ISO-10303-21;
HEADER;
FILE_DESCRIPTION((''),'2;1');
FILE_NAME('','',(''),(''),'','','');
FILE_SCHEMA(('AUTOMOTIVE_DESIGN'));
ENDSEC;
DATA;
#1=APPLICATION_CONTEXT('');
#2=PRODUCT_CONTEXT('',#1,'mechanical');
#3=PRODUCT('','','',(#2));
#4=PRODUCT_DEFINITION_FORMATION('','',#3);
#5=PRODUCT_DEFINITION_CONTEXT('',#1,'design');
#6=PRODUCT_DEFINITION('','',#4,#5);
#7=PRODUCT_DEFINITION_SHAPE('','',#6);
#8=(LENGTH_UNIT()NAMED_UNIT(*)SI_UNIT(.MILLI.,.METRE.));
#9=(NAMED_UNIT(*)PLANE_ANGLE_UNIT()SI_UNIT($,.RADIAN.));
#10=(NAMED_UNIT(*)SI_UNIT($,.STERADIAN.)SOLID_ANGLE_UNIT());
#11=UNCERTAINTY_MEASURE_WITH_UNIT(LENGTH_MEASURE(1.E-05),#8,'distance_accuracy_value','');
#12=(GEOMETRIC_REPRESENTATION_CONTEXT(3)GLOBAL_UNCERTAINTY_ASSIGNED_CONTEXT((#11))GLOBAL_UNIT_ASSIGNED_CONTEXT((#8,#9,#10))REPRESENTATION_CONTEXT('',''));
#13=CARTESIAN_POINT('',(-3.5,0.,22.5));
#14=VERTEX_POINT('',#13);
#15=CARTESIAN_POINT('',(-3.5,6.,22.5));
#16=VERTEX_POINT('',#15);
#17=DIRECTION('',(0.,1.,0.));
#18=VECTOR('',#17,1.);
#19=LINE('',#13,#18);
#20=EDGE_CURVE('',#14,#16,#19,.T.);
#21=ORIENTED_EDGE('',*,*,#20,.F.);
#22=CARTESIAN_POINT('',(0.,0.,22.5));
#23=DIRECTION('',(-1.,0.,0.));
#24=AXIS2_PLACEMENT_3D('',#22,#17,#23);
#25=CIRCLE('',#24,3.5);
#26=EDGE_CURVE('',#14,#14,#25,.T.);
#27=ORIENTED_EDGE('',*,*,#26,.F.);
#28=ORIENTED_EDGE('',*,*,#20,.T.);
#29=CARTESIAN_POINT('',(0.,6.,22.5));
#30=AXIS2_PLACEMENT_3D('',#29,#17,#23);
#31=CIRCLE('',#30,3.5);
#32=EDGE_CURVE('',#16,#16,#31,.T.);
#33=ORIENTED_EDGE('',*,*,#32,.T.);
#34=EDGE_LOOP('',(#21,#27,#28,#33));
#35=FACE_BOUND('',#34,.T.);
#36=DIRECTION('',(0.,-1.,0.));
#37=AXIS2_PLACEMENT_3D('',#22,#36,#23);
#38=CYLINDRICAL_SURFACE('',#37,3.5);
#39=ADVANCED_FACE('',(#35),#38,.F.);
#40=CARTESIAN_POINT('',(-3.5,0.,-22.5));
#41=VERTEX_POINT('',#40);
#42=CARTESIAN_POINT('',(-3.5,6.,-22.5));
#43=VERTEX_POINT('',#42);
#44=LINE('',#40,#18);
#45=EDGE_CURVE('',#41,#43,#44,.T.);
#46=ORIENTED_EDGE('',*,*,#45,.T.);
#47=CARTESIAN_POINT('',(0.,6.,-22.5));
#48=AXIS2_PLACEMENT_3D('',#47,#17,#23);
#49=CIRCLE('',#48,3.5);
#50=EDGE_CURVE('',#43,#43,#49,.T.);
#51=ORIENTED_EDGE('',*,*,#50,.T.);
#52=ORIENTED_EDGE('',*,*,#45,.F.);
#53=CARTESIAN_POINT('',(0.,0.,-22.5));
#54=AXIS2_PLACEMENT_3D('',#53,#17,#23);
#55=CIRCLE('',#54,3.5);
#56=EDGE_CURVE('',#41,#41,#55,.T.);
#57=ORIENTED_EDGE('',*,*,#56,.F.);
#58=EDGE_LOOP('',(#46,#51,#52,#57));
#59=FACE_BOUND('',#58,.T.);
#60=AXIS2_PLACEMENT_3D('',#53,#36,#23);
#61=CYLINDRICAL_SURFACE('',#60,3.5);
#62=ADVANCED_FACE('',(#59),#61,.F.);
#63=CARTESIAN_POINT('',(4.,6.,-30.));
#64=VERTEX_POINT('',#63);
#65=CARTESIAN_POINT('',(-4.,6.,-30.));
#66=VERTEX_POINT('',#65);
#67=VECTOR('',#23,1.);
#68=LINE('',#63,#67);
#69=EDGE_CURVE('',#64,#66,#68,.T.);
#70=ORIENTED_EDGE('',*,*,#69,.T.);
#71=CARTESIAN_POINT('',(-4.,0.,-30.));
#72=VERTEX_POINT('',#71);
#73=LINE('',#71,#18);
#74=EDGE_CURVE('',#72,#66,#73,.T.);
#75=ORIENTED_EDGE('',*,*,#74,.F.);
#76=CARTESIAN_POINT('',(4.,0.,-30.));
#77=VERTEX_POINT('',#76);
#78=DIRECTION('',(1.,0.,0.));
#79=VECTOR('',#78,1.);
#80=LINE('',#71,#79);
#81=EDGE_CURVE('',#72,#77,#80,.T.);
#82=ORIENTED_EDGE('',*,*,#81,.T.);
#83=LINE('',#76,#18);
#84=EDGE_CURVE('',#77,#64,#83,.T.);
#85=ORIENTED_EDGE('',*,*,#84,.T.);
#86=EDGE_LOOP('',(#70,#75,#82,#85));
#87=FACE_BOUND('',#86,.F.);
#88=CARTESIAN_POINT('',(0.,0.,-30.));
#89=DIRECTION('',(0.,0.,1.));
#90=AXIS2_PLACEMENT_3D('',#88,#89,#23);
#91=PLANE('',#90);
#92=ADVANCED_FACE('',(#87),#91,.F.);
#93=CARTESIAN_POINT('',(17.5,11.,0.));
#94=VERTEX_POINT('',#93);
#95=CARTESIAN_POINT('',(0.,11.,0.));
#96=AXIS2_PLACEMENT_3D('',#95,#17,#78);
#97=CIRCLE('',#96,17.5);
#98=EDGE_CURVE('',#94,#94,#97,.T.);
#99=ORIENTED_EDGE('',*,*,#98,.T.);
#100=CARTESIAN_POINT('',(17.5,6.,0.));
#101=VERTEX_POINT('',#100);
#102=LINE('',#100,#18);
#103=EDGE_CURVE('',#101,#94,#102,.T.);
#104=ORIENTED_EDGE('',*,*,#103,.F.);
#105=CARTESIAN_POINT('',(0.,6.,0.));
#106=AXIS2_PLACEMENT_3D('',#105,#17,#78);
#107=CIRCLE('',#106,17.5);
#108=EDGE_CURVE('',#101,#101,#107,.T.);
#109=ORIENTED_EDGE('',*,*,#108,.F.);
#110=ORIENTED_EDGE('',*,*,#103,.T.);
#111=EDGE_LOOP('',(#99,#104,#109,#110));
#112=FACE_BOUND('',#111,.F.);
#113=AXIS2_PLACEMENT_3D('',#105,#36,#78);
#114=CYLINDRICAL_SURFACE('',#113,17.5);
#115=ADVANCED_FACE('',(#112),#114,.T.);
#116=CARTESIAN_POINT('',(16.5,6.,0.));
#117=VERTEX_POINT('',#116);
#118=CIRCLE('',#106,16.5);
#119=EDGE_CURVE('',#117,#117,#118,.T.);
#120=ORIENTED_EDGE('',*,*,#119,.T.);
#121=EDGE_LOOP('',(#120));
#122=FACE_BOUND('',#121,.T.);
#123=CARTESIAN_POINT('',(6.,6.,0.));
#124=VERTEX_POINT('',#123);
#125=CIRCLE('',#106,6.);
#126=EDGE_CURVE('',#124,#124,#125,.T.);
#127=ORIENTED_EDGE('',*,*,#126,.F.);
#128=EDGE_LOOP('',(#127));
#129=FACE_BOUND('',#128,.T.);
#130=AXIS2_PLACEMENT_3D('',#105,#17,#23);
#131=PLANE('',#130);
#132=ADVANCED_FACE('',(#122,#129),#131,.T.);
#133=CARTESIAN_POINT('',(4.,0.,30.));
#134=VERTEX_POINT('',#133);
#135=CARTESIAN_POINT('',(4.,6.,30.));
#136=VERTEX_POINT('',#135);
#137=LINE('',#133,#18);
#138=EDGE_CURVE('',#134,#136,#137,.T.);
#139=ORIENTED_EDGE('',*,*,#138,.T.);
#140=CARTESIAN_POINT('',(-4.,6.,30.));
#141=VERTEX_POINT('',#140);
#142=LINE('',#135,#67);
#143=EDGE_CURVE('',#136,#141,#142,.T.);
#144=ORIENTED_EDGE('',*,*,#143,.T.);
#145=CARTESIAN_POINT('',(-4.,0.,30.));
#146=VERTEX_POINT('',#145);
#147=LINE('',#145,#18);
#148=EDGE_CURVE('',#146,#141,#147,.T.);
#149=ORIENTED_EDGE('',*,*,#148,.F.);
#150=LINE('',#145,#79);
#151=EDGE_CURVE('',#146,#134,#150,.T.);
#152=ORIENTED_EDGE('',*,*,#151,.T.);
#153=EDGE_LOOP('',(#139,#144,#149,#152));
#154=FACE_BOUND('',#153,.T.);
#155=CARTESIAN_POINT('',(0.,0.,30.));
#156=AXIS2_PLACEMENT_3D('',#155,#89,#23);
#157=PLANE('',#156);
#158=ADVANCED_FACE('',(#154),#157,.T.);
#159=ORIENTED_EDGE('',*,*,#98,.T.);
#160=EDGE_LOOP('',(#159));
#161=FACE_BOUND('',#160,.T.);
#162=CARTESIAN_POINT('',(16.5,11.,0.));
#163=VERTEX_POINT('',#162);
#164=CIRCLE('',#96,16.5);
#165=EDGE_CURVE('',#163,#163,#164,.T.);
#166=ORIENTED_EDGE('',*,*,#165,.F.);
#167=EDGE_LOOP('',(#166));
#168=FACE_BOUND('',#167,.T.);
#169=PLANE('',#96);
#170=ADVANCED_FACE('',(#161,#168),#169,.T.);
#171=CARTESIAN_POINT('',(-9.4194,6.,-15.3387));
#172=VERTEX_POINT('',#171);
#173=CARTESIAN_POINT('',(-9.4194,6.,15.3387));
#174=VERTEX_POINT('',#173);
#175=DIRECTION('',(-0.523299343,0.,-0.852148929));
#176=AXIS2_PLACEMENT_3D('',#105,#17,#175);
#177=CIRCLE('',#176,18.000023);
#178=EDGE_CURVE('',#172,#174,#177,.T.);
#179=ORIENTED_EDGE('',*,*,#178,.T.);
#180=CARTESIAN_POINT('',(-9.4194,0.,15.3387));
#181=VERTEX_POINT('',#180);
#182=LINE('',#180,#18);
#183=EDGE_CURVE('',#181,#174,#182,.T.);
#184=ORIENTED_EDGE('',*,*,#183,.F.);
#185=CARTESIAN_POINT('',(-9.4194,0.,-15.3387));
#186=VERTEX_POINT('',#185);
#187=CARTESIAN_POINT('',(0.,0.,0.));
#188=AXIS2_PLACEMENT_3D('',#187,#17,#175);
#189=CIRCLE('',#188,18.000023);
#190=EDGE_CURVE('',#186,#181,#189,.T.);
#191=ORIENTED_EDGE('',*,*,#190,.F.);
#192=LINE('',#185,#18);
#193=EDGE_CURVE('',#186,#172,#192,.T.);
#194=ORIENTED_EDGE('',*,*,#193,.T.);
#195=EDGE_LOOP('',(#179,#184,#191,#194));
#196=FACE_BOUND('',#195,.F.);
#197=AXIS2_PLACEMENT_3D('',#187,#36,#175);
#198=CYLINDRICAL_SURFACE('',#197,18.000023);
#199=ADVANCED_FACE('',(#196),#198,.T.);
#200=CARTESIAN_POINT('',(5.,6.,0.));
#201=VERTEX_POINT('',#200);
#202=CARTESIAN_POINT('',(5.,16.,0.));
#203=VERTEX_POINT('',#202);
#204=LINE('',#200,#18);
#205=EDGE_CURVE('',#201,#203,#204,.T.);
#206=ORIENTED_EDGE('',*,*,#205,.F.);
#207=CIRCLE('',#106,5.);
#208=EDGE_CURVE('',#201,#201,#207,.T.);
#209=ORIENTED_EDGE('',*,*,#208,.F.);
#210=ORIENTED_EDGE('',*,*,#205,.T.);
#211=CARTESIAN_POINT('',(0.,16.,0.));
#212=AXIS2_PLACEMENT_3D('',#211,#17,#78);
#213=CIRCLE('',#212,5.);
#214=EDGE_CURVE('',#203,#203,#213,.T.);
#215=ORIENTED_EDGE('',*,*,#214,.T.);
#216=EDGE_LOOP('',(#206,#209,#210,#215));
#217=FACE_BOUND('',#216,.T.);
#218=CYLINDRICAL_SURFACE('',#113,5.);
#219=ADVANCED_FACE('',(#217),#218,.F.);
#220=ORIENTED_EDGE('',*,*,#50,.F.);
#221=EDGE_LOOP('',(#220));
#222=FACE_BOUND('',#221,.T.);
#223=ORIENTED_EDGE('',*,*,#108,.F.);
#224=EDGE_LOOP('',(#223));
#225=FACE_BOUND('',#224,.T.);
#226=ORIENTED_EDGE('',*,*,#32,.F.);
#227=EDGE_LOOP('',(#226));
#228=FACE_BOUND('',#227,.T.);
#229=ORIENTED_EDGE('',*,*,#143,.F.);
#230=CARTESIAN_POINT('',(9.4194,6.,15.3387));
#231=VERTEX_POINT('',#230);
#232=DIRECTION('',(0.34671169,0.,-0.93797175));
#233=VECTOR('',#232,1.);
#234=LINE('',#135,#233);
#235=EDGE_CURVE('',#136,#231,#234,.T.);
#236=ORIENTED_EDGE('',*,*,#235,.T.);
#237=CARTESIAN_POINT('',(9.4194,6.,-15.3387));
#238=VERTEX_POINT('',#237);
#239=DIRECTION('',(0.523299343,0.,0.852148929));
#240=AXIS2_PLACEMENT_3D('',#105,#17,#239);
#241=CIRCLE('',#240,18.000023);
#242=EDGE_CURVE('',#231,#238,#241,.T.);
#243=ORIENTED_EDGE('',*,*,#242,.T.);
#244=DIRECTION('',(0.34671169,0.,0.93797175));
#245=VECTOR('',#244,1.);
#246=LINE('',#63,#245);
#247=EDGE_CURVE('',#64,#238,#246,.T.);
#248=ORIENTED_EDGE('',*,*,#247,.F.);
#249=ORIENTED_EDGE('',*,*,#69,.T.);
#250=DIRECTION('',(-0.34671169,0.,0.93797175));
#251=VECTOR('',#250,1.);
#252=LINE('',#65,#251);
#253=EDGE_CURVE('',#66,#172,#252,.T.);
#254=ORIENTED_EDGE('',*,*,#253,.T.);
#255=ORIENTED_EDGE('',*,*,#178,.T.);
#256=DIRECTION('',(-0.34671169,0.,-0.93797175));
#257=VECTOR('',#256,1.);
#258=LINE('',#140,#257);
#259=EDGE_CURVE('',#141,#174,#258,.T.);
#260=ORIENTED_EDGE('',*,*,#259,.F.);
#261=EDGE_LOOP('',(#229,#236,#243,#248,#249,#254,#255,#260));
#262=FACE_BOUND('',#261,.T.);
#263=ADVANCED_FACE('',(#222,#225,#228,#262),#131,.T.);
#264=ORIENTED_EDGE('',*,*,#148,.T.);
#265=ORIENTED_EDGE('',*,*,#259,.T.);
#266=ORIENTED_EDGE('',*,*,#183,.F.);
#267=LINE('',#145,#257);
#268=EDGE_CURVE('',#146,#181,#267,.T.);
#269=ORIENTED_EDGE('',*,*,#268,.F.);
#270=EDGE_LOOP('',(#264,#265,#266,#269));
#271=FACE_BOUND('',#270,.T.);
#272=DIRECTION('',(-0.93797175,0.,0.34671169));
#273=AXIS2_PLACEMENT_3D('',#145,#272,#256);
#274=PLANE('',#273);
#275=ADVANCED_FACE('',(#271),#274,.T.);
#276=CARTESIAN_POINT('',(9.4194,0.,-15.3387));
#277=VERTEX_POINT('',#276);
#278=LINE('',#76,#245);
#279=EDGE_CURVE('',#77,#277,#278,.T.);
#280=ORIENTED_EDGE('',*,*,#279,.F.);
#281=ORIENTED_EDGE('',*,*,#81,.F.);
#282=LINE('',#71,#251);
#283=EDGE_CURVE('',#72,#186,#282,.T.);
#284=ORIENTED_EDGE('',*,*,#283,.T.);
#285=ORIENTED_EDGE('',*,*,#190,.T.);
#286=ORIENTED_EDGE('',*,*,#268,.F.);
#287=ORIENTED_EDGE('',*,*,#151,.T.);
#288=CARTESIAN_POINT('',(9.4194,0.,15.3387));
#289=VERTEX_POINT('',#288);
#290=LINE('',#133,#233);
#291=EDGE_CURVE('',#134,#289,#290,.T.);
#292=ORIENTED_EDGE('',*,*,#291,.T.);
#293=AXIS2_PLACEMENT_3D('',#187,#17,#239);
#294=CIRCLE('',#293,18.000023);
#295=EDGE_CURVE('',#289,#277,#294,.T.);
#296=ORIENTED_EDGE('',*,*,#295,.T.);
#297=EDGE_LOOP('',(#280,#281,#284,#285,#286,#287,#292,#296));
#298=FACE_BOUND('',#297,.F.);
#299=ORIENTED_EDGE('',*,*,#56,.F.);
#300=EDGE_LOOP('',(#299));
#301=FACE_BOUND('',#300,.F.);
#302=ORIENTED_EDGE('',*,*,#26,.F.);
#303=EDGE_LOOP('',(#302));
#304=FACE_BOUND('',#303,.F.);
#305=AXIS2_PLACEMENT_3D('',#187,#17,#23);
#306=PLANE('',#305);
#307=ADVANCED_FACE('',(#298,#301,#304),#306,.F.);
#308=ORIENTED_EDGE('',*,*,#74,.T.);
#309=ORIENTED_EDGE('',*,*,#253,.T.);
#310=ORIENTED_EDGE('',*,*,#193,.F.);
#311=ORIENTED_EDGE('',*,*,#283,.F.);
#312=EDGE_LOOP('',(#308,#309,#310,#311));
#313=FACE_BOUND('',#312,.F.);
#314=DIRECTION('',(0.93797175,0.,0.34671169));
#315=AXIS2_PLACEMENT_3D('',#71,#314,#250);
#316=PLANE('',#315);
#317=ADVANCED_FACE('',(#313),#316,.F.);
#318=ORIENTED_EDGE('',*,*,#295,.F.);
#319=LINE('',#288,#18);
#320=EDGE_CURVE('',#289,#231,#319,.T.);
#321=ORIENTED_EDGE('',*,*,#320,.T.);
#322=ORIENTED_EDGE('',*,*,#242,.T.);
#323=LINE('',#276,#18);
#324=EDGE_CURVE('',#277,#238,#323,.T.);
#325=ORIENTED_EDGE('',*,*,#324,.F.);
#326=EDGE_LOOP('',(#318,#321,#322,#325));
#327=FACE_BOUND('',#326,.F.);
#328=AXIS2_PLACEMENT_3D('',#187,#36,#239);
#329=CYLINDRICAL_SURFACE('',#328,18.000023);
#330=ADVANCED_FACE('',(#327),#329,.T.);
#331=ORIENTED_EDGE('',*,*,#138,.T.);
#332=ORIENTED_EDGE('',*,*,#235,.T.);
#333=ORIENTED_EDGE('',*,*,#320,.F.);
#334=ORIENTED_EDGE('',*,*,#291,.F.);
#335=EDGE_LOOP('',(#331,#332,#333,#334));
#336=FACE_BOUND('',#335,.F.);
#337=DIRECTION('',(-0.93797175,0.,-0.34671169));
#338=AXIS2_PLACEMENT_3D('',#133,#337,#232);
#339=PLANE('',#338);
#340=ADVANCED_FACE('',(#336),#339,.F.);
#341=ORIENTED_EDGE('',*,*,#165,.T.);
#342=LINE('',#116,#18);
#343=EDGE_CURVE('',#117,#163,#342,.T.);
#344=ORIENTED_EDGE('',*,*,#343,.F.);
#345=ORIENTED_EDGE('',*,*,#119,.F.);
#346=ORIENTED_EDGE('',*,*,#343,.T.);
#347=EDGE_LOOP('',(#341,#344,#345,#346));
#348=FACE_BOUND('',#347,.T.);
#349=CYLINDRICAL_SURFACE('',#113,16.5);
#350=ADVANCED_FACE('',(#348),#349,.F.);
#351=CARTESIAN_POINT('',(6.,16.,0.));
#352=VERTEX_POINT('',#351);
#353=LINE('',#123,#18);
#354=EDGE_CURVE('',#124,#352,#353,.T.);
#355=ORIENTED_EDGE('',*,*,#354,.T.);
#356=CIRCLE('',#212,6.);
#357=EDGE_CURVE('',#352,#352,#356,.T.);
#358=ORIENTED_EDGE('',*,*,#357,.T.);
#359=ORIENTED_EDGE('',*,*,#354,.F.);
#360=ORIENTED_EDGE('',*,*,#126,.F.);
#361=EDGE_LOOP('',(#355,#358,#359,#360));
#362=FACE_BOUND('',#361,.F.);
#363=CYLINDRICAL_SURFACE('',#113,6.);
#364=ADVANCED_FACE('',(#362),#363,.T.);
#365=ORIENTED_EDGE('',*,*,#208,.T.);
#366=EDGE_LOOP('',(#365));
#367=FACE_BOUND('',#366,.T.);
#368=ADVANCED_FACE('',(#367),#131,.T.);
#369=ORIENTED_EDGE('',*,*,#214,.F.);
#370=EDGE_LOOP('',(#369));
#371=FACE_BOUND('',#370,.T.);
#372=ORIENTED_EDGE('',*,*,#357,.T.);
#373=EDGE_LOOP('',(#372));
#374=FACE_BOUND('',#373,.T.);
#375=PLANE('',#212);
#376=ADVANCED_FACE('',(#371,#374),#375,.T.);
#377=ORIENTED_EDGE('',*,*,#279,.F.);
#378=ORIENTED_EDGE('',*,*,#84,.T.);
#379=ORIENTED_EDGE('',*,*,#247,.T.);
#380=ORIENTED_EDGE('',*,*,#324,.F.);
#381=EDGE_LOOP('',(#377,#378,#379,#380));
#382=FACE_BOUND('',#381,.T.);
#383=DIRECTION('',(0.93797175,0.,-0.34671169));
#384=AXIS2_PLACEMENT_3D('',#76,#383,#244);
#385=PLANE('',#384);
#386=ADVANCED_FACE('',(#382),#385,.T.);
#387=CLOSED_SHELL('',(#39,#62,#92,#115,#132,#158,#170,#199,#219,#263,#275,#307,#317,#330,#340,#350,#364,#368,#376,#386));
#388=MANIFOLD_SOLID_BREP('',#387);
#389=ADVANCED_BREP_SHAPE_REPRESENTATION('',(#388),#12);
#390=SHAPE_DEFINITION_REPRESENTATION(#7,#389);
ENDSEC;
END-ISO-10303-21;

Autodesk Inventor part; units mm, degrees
ref_plane "YZ Plane" through (0, 0, 0) normal (1, 0, 0) x (0, 1, 0)
ref_plane "XZ Plane" through (0, 0, 0) normal (0, 1, 0) x (-1, 0, 0)
sketch "Sketch1" plane through (0, 0, 0) normal (0, 1, 0) x (-1, 0, 0)
  circle A0 centre (0, 22.5) radius 3.5
  line L0 (0, 30) -> (4, 30)
  line L1 (4, 30) -> (9.4194, 15.3387)
  line L2 (0, 30) -> (-4, 30)
  line L3 (-4, 30) -> (-9.4194, 15.3387)
  circle A1 centre (0, -22.5) radius 3.5
  line L4 (0, -30) -> (4, -30)
  line L5 (4, -30) -> (9.4194, -15.3387)
  line L6 (0, -30) -> (-4, -30)
  line L7 (-4, -30) -> (-9.4194, -15.3387)
  arc A2 (-9.4194, 15.3387) -> (-9.4194, -15.3387) centre (0, 0) ccw
  arc A3 (9.4194, -15.3387) -> (9.4194, 15.3387) centre (0, 0) ccw
extrude "Extrusion1" add sketch "Sketch1" along normal blind 6
ref_plane "Work Plane1" through (0, 6, 0) normal (0, 1, 0) x (1, 0, 0)
sketch "Sketch2" plane through (0, 6, 0) normal (0, 1, 0) x (1, 0, 0)
  circle A0 centre (0, 0) radius 17.5
  circle A1 centre (0, 0) radius 16.5
  dimension "d9" = 35
  dimension "d12" = 33
extrude "Extrusion2" add sketch "Sketch2" along normal blind 5
sketch "Sketch3" plane through (0, 6, 0) normal (0, 1, 0) x (1, 0, 0)
  circle A0 centre (0, 0) radius 5
  circle A1 centre (0, 0) radius 6
  dimension "d15" = 10
  dimension "d16" = 12
extrude "Extrusion3" add sketch "Sketch3" along normal blind 10
properties part number "Chumacera con rodamiento 10 mm kfl000"
